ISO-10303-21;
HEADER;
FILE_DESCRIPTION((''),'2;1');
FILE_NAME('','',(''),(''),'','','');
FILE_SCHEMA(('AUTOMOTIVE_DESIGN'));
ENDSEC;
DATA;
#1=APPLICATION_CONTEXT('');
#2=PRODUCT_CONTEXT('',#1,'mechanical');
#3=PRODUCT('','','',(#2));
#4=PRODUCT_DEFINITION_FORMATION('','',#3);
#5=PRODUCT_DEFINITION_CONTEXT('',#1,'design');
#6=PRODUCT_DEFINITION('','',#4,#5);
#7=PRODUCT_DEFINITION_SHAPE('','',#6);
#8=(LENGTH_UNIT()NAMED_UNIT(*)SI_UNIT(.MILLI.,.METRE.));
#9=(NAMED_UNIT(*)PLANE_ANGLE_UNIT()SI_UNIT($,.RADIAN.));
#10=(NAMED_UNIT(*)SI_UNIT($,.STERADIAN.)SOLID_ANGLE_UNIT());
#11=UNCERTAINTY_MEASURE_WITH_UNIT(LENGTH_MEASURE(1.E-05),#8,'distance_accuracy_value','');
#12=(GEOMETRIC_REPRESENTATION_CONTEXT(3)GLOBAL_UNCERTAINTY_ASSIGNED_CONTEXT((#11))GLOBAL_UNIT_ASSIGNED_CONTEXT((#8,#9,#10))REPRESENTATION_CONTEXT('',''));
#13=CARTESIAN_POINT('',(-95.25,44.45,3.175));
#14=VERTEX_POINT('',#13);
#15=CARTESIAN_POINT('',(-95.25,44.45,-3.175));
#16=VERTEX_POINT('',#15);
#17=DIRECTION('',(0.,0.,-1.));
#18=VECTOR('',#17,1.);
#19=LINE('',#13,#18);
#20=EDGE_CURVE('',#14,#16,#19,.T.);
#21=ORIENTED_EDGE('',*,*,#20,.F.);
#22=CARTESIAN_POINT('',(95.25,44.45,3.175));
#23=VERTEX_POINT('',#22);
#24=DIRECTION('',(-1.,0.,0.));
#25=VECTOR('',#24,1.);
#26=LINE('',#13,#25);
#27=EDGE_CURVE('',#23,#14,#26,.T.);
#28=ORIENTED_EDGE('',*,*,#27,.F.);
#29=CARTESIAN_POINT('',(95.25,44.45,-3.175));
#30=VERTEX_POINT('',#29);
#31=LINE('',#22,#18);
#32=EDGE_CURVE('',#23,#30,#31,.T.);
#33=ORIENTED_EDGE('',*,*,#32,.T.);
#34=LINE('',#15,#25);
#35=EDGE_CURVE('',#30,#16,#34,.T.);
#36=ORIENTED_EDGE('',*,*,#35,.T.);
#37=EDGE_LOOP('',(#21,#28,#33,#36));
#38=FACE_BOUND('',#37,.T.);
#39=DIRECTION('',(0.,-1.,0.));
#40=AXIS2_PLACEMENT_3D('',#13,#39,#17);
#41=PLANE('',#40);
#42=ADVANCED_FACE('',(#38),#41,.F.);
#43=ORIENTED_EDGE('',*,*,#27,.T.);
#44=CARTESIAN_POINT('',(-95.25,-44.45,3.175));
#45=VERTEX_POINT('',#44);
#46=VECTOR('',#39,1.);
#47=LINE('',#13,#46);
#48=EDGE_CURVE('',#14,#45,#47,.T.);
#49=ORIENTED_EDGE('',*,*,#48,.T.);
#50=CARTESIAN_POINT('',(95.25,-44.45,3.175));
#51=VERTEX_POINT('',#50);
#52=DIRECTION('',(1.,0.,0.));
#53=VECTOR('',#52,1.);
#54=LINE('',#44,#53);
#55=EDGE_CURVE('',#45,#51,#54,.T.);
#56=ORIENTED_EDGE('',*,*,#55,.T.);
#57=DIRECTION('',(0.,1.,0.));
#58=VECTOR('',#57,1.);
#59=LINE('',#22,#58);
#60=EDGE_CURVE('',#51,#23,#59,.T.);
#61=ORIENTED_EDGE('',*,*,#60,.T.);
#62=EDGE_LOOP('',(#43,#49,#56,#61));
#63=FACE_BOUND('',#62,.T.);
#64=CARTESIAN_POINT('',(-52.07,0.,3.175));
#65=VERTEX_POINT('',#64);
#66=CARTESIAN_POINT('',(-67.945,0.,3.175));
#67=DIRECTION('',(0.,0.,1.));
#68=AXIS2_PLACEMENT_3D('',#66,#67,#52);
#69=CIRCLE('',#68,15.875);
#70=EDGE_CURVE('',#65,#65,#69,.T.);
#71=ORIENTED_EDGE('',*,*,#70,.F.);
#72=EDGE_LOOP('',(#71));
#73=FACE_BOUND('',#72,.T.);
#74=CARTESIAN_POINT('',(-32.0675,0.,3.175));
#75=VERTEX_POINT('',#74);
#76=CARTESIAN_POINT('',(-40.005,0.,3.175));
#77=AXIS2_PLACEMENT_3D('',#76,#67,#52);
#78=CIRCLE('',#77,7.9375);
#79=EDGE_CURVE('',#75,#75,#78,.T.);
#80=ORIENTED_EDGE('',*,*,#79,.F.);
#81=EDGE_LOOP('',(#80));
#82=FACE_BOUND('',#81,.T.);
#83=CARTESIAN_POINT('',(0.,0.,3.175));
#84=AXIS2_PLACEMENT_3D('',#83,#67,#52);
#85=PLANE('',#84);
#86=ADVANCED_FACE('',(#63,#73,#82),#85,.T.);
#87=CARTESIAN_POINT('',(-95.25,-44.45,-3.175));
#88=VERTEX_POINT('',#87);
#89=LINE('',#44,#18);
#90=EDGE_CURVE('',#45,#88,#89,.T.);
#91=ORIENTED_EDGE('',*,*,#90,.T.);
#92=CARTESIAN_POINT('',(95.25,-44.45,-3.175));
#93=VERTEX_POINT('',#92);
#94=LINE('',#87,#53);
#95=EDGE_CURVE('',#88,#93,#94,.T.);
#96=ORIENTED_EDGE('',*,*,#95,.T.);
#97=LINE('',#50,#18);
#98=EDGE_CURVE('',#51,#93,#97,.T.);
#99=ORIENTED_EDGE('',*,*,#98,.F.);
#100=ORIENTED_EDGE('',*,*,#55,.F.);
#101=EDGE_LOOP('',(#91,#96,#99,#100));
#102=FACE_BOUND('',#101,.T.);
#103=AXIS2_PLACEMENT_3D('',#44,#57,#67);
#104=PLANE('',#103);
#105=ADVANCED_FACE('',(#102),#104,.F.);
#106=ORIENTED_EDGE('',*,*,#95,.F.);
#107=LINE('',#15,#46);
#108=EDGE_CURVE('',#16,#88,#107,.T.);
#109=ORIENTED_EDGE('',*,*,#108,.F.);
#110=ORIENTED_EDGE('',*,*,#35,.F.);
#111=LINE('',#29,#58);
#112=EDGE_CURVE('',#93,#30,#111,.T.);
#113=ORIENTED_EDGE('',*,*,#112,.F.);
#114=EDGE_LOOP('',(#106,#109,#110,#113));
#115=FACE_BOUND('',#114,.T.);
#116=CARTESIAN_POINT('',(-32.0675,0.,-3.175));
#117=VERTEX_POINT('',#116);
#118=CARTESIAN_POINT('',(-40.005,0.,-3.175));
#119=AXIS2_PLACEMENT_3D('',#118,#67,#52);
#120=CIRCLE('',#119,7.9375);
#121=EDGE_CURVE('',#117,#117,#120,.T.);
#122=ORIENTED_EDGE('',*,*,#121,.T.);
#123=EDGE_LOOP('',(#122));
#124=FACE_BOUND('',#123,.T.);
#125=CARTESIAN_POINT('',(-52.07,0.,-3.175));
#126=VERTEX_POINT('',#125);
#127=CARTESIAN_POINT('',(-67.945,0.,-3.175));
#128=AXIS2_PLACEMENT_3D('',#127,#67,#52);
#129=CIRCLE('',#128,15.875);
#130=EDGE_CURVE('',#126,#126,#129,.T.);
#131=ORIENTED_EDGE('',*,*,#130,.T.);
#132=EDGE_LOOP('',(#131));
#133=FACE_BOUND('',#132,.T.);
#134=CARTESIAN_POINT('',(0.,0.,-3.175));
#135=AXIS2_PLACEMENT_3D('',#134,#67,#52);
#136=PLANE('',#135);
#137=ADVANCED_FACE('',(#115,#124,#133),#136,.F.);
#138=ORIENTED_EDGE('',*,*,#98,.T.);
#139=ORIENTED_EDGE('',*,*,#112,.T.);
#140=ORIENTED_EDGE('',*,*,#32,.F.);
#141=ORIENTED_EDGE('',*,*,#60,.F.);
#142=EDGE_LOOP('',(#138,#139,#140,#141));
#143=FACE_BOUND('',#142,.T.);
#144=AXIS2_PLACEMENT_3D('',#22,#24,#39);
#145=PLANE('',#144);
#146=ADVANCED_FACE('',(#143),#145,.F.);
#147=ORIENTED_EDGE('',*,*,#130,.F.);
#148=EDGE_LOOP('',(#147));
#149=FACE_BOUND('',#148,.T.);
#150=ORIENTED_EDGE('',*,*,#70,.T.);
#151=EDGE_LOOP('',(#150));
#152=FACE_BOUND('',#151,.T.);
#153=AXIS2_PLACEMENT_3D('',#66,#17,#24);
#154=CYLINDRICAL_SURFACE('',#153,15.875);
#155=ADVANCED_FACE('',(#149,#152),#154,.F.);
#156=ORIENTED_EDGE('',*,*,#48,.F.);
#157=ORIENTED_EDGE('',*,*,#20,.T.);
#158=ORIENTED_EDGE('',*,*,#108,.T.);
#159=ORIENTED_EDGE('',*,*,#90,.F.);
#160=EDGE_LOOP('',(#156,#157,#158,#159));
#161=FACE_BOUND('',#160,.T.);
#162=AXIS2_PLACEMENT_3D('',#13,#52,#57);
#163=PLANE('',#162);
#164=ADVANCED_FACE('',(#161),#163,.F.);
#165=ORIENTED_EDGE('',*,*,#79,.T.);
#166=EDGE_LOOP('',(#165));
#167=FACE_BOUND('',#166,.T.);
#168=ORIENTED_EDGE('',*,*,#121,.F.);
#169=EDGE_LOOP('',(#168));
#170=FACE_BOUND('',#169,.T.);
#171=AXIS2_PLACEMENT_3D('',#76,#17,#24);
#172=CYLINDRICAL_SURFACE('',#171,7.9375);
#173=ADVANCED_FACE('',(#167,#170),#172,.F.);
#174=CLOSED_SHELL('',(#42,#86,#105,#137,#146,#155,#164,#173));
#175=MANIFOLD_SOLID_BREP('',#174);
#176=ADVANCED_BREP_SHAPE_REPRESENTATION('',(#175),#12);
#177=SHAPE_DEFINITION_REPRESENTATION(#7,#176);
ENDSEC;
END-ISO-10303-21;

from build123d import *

# Parameters (mm, degrees)
SKETCH1_W           = 190.5
SKETCH1_H           = 88.9
SKETCH1_R           = 15.875
SKETCH1_R_2         = 7.9375
BOSS_EXTRUDE1_DEPTH = 3.175


with BuildPart() as part:
    # Sketch1 → Boss-Extrude1 (new body, symmetric)
    with BuildSketch(Plane.XY):
        Rectangle(SKETCH1_W, SKETCH1_H)
        with Locations((-67.945, 0)):
            Circle(SKETCH1_R, mode=Mode.SUBTRACT)
        with Locations((-40.005, 0)):
            Circle(SKETCH1_R_2, mode=Mode.SUBTRACT)
    extrude(amount=BOSS_EXTRUDE1_DEPTH, both=True)


solid = part.part
